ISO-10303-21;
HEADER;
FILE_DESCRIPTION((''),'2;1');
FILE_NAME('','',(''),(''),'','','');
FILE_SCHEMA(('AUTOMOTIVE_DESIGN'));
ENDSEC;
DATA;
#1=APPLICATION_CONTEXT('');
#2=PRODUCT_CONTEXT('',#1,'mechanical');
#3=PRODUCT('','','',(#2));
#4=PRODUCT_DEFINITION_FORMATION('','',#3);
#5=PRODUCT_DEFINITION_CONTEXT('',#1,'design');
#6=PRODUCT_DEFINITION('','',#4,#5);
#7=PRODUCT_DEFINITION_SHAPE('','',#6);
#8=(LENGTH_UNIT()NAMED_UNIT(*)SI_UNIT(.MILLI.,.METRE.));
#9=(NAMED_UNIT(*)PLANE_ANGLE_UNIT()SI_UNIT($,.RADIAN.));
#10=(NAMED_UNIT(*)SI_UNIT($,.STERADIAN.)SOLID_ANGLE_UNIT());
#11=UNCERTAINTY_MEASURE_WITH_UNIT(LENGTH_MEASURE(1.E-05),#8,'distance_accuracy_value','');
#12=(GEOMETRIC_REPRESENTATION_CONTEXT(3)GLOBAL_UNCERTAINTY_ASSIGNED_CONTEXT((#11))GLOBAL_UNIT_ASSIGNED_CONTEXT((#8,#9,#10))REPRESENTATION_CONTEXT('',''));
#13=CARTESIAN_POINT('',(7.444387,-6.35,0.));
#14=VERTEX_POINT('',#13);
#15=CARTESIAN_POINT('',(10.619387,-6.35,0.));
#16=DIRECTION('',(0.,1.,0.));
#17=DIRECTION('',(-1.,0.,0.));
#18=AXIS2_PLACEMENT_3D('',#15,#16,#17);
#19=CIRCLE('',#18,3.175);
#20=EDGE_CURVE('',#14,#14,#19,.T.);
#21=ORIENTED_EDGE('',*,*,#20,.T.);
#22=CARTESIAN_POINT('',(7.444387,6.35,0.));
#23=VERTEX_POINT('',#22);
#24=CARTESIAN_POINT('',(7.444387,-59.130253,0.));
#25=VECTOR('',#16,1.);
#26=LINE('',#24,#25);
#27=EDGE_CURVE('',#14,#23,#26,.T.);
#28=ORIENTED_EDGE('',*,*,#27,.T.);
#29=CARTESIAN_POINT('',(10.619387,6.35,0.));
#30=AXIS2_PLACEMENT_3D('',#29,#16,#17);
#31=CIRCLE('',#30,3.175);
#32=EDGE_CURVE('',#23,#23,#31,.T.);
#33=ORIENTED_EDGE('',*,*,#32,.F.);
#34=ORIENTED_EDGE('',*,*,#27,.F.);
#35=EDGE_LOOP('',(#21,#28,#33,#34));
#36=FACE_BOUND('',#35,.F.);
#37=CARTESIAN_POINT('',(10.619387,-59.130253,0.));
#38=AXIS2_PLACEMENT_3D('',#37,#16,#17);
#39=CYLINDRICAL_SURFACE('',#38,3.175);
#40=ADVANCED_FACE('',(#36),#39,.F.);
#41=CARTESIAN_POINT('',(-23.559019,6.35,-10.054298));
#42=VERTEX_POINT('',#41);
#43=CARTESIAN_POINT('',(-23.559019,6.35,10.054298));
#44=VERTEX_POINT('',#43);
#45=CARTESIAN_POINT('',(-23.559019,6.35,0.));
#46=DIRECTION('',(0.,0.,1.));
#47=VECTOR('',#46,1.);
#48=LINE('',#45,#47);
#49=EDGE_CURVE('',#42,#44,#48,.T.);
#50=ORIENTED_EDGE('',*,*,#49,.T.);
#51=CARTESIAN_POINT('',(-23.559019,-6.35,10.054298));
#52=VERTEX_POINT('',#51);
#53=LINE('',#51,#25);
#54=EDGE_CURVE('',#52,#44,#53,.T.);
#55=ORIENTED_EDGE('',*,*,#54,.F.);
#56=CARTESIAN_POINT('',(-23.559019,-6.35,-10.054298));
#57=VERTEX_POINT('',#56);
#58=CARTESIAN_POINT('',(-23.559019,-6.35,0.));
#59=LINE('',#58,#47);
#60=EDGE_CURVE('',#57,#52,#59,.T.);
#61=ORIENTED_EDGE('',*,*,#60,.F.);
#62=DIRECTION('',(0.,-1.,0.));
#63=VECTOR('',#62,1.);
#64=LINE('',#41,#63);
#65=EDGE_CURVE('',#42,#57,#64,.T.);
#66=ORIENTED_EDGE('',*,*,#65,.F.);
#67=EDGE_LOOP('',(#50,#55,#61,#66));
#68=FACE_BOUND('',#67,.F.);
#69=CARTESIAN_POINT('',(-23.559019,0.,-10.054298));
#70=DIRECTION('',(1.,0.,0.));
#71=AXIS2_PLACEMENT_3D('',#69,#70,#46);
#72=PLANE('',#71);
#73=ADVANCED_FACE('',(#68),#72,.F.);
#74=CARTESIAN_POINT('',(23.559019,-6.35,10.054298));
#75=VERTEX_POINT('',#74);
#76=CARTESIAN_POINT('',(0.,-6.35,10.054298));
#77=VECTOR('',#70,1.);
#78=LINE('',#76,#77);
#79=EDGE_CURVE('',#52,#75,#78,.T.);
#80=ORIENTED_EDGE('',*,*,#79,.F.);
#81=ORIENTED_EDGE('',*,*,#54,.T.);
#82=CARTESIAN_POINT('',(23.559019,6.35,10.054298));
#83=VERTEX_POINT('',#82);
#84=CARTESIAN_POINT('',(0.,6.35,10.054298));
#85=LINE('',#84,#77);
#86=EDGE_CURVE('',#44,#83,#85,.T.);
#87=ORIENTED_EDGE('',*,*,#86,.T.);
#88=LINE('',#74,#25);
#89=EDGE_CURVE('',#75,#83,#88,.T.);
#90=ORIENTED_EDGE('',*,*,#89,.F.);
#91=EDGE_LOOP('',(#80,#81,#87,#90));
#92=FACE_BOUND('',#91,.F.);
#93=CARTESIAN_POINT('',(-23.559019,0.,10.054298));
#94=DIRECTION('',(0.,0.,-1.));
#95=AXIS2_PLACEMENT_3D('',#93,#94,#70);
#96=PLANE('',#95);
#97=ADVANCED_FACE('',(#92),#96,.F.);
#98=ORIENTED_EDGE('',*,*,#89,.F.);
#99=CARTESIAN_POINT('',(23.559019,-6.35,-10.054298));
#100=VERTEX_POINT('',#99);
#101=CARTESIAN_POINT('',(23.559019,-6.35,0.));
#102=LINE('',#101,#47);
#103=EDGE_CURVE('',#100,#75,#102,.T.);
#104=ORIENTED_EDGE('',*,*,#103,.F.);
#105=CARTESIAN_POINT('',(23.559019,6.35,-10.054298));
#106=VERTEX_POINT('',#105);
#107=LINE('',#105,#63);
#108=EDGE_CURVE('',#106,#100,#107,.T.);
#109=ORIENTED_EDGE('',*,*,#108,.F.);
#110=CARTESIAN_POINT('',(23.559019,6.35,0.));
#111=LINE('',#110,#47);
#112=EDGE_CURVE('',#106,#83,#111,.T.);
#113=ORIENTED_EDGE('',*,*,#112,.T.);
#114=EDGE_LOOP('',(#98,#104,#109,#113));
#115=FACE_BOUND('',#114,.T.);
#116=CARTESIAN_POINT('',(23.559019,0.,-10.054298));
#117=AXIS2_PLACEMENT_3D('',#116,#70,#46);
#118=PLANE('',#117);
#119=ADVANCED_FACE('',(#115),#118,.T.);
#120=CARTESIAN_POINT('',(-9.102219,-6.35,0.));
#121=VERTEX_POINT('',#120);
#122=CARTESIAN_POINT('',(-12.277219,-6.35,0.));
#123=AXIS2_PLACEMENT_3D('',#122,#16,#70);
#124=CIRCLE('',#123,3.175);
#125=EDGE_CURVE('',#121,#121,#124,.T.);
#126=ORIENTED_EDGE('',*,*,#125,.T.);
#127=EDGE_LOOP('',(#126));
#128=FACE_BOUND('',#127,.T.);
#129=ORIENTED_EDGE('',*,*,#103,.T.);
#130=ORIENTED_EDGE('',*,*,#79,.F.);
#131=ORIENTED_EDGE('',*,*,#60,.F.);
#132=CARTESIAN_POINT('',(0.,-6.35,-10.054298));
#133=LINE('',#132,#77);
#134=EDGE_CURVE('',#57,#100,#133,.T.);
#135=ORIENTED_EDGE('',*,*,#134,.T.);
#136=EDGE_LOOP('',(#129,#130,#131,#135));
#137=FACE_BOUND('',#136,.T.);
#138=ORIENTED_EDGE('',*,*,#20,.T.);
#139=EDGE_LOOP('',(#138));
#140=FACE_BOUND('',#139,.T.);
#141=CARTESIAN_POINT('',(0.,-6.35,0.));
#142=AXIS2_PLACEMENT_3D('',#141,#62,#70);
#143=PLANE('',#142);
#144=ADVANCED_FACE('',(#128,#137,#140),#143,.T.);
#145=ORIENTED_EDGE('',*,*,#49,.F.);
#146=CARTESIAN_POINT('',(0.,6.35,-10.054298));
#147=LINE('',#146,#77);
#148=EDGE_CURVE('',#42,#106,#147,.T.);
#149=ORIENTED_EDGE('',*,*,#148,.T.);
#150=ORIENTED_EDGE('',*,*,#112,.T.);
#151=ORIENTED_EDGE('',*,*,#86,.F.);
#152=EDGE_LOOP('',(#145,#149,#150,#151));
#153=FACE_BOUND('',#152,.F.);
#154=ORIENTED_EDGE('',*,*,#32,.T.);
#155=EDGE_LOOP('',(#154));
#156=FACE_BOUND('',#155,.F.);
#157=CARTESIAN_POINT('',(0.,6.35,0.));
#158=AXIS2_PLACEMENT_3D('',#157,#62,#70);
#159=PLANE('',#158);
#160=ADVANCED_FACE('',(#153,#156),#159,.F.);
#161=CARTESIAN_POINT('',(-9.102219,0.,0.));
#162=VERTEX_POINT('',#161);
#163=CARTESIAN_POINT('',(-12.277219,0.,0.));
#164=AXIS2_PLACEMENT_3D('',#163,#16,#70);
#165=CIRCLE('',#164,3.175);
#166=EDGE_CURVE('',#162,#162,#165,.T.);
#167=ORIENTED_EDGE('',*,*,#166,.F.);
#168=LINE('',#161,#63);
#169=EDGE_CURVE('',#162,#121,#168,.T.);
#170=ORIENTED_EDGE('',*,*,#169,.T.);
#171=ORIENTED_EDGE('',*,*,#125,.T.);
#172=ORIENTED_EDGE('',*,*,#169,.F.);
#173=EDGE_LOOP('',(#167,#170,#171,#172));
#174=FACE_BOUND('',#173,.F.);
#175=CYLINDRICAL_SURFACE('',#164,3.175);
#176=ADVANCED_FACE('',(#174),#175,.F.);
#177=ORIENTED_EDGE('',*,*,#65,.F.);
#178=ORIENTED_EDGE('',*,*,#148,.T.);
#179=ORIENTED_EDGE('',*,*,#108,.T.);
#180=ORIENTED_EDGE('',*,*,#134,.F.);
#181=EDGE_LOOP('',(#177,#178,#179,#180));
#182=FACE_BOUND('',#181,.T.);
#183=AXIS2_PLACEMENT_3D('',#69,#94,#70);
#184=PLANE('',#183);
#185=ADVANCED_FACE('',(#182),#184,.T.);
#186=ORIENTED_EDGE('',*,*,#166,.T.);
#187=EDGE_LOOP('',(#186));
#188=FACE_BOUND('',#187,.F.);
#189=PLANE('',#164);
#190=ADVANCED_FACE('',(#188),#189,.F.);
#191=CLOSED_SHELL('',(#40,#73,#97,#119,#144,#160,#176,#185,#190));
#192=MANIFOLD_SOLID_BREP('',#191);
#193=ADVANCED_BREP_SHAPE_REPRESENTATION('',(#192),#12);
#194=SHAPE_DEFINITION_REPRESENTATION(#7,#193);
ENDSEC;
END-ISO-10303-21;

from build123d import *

# Parameters (mm, degrees)
F0_W     = 47.1180379391
F0_H     = 20.1085954905
F1_DEPTH = 6.35
F2_D     = 6.35
F2_DEPTH = 6.351
F4_D     = 6.35


with BuildPart() as f1:
    # F0 (on Front) → F1 (new body, symmetric)
    with BuildSketch(Plane.XZ):
        Rectangle(F0_W, F0_H)
    extrude(amount=F1_DEPTH, both=True)

    # F2 (through all, one way)
    with BuildSketch(Plane(origin=(0, 0, 0), x_dir=(1, 0, 0), z_dir=(0, 1, 0))):
        with Locations((-12.2772194445, 0)):
            Circle(F2_D / 2)
    extrude(amount=-F2_DEPTH, mode=Mode.SUBTRACT)

    # F4 (through all)
    with Locations(Plane.XZ.offset(6.35)):
        with Locations((10.6193870306, 0)):
            Hole(F4_D / 2)


solid = f1.part
